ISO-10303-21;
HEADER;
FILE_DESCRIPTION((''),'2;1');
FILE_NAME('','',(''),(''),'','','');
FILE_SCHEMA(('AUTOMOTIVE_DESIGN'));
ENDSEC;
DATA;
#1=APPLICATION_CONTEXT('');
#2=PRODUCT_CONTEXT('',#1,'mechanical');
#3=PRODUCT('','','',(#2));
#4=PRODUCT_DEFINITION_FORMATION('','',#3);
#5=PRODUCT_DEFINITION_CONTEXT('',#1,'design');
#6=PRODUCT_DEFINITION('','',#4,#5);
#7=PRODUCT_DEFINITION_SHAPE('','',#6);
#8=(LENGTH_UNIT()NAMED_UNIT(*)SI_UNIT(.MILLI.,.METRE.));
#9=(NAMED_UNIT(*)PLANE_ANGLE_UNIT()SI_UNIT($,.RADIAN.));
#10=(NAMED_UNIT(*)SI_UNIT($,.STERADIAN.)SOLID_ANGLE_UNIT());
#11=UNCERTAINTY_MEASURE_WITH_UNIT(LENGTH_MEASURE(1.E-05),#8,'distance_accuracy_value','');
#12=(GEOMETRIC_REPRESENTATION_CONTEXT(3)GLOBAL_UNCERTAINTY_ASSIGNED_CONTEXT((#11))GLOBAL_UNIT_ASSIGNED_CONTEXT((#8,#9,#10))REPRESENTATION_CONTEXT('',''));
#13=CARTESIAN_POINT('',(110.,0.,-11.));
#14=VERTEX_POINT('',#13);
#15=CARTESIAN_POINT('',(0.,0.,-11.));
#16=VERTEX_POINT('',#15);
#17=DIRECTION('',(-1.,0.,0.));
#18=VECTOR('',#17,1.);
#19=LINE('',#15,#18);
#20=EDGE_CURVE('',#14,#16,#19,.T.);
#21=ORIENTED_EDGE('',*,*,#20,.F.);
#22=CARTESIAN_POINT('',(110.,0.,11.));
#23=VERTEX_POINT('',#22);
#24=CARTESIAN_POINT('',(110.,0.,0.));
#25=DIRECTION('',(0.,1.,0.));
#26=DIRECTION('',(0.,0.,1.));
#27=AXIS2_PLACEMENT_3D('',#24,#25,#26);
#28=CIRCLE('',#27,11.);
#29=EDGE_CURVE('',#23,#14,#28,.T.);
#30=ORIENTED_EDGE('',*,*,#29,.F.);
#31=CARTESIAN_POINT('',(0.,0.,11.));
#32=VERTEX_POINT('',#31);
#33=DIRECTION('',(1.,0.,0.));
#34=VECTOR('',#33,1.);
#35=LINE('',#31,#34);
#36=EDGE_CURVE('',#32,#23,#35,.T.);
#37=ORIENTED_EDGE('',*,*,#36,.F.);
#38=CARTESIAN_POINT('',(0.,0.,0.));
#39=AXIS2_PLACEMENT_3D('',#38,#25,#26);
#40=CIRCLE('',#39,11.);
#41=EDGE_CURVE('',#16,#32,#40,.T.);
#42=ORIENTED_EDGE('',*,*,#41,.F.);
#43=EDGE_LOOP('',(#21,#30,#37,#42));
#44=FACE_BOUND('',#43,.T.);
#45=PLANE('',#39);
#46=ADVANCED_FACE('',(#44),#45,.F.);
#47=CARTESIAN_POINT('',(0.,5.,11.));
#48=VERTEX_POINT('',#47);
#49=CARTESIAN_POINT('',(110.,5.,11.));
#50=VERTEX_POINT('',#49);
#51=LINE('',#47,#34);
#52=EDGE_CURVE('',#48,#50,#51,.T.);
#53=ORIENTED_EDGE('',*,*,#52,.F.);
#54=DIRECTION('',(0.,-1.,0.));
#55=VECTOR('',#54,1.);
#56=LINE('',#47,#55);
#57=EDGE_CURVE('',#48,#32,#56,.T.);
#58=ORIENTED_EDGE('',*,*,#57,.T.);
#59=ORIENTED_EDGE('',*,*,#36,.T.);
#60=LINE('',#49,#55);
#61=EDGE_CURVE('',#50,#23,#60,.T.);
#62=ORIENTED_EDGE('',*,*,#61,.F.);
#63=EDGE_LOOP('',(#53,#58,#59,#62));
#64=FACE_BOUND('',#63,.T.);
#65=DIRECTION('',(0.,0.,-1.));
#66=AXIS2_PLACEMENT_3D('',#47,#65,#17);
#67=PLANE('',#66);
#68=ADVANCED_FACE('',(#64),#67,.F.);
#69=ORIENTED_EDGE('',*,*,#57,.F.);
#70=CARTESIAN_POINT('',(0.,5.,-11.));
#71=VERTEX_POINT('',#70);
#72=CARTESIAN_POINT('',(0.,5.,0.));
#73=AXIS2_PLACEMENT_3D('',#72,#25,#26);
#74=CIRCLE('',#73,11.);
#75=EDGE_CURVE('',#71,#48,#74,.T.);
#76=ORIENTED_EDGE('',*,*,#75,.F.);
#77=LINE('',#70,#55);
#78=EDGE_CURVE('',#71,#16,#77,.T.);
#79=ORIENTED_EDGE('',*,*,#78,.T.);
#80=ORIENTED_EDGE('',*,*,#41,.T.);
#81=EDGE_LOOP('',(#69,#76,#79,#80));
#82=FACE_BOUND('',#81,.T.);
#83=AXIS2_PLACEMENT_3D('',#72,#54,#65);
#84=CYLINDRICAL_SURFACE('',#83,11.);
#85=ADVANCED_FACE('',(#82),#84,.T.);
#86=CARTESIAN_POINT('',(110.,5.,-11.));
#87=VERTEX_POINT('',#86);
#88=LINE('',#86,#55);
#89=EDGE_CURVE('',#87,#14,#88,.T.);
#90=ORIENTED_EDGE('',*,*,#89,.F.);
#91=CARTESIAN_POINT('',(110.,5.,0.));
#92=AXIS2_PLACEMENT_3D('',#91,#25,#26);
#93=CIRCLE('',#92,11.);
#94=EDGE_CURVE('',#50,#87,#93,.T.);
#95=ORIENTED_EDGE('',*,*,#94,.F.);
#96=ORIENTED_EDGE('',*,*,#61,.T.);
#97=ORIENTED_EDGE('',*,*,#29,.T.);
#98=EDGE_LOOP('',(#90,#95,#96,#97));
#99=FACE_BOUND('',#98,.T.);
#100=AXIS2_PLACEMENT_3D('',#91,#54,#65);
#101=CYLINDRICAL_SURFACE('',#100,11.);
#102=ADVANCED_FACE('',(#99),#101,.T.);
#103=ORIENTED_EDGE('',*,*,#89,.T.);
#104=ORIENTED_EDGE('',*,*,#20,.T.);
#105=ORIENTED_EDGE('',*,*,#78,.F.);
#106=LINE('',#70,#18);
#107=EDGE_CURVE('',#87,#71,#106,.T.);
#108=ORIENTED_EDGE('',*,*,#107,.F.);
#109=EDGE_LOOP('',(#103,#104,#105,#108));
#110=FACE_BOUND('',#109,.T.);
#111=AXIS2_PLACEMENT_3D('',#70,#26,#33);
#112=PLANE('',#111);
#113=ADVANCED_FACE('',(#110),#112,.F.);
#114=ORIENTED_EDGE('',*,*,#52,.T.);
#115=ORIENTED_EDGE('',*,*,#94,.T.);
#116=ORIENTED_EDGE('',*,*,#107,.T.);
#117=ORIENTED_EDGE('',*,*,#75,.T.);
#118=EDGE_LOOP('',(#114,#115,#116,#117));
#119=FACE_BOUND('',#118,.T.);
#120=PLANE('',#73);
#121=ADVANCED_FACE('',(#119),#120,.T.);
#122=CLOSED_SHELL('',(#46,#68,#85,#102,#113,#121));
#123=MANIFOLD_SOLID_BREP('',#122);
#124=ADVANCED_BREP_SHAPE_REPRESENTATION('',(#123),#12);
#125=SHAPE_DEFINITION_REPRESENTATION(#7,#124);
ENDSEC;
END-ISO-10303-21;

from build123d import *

# Parameters (mm, degrees)
BOSS_EXTRU_1_DEPTH = 5


with BuildPart() as part:
    # Esquisse1 → Boss.-Extru.1 (new body)
    with BuildSketch(Plane(origin=(0, 0, 0), x_dir=(1, 0, 0), z_dir=(0, 1, 0))):
        with BuildLine():
            Line((0, 11), (110, 11))
            ThreePointArc((110, 11), (121, 0), (110, -11))
            Line((110, -11), (0, -11))
            ThreePointArc((0, -11), (-11, 0), (0, 11))
        make_face()
    extrude(amount=BOSS_EXTRU_1_DEPTH)


solid = part.part
